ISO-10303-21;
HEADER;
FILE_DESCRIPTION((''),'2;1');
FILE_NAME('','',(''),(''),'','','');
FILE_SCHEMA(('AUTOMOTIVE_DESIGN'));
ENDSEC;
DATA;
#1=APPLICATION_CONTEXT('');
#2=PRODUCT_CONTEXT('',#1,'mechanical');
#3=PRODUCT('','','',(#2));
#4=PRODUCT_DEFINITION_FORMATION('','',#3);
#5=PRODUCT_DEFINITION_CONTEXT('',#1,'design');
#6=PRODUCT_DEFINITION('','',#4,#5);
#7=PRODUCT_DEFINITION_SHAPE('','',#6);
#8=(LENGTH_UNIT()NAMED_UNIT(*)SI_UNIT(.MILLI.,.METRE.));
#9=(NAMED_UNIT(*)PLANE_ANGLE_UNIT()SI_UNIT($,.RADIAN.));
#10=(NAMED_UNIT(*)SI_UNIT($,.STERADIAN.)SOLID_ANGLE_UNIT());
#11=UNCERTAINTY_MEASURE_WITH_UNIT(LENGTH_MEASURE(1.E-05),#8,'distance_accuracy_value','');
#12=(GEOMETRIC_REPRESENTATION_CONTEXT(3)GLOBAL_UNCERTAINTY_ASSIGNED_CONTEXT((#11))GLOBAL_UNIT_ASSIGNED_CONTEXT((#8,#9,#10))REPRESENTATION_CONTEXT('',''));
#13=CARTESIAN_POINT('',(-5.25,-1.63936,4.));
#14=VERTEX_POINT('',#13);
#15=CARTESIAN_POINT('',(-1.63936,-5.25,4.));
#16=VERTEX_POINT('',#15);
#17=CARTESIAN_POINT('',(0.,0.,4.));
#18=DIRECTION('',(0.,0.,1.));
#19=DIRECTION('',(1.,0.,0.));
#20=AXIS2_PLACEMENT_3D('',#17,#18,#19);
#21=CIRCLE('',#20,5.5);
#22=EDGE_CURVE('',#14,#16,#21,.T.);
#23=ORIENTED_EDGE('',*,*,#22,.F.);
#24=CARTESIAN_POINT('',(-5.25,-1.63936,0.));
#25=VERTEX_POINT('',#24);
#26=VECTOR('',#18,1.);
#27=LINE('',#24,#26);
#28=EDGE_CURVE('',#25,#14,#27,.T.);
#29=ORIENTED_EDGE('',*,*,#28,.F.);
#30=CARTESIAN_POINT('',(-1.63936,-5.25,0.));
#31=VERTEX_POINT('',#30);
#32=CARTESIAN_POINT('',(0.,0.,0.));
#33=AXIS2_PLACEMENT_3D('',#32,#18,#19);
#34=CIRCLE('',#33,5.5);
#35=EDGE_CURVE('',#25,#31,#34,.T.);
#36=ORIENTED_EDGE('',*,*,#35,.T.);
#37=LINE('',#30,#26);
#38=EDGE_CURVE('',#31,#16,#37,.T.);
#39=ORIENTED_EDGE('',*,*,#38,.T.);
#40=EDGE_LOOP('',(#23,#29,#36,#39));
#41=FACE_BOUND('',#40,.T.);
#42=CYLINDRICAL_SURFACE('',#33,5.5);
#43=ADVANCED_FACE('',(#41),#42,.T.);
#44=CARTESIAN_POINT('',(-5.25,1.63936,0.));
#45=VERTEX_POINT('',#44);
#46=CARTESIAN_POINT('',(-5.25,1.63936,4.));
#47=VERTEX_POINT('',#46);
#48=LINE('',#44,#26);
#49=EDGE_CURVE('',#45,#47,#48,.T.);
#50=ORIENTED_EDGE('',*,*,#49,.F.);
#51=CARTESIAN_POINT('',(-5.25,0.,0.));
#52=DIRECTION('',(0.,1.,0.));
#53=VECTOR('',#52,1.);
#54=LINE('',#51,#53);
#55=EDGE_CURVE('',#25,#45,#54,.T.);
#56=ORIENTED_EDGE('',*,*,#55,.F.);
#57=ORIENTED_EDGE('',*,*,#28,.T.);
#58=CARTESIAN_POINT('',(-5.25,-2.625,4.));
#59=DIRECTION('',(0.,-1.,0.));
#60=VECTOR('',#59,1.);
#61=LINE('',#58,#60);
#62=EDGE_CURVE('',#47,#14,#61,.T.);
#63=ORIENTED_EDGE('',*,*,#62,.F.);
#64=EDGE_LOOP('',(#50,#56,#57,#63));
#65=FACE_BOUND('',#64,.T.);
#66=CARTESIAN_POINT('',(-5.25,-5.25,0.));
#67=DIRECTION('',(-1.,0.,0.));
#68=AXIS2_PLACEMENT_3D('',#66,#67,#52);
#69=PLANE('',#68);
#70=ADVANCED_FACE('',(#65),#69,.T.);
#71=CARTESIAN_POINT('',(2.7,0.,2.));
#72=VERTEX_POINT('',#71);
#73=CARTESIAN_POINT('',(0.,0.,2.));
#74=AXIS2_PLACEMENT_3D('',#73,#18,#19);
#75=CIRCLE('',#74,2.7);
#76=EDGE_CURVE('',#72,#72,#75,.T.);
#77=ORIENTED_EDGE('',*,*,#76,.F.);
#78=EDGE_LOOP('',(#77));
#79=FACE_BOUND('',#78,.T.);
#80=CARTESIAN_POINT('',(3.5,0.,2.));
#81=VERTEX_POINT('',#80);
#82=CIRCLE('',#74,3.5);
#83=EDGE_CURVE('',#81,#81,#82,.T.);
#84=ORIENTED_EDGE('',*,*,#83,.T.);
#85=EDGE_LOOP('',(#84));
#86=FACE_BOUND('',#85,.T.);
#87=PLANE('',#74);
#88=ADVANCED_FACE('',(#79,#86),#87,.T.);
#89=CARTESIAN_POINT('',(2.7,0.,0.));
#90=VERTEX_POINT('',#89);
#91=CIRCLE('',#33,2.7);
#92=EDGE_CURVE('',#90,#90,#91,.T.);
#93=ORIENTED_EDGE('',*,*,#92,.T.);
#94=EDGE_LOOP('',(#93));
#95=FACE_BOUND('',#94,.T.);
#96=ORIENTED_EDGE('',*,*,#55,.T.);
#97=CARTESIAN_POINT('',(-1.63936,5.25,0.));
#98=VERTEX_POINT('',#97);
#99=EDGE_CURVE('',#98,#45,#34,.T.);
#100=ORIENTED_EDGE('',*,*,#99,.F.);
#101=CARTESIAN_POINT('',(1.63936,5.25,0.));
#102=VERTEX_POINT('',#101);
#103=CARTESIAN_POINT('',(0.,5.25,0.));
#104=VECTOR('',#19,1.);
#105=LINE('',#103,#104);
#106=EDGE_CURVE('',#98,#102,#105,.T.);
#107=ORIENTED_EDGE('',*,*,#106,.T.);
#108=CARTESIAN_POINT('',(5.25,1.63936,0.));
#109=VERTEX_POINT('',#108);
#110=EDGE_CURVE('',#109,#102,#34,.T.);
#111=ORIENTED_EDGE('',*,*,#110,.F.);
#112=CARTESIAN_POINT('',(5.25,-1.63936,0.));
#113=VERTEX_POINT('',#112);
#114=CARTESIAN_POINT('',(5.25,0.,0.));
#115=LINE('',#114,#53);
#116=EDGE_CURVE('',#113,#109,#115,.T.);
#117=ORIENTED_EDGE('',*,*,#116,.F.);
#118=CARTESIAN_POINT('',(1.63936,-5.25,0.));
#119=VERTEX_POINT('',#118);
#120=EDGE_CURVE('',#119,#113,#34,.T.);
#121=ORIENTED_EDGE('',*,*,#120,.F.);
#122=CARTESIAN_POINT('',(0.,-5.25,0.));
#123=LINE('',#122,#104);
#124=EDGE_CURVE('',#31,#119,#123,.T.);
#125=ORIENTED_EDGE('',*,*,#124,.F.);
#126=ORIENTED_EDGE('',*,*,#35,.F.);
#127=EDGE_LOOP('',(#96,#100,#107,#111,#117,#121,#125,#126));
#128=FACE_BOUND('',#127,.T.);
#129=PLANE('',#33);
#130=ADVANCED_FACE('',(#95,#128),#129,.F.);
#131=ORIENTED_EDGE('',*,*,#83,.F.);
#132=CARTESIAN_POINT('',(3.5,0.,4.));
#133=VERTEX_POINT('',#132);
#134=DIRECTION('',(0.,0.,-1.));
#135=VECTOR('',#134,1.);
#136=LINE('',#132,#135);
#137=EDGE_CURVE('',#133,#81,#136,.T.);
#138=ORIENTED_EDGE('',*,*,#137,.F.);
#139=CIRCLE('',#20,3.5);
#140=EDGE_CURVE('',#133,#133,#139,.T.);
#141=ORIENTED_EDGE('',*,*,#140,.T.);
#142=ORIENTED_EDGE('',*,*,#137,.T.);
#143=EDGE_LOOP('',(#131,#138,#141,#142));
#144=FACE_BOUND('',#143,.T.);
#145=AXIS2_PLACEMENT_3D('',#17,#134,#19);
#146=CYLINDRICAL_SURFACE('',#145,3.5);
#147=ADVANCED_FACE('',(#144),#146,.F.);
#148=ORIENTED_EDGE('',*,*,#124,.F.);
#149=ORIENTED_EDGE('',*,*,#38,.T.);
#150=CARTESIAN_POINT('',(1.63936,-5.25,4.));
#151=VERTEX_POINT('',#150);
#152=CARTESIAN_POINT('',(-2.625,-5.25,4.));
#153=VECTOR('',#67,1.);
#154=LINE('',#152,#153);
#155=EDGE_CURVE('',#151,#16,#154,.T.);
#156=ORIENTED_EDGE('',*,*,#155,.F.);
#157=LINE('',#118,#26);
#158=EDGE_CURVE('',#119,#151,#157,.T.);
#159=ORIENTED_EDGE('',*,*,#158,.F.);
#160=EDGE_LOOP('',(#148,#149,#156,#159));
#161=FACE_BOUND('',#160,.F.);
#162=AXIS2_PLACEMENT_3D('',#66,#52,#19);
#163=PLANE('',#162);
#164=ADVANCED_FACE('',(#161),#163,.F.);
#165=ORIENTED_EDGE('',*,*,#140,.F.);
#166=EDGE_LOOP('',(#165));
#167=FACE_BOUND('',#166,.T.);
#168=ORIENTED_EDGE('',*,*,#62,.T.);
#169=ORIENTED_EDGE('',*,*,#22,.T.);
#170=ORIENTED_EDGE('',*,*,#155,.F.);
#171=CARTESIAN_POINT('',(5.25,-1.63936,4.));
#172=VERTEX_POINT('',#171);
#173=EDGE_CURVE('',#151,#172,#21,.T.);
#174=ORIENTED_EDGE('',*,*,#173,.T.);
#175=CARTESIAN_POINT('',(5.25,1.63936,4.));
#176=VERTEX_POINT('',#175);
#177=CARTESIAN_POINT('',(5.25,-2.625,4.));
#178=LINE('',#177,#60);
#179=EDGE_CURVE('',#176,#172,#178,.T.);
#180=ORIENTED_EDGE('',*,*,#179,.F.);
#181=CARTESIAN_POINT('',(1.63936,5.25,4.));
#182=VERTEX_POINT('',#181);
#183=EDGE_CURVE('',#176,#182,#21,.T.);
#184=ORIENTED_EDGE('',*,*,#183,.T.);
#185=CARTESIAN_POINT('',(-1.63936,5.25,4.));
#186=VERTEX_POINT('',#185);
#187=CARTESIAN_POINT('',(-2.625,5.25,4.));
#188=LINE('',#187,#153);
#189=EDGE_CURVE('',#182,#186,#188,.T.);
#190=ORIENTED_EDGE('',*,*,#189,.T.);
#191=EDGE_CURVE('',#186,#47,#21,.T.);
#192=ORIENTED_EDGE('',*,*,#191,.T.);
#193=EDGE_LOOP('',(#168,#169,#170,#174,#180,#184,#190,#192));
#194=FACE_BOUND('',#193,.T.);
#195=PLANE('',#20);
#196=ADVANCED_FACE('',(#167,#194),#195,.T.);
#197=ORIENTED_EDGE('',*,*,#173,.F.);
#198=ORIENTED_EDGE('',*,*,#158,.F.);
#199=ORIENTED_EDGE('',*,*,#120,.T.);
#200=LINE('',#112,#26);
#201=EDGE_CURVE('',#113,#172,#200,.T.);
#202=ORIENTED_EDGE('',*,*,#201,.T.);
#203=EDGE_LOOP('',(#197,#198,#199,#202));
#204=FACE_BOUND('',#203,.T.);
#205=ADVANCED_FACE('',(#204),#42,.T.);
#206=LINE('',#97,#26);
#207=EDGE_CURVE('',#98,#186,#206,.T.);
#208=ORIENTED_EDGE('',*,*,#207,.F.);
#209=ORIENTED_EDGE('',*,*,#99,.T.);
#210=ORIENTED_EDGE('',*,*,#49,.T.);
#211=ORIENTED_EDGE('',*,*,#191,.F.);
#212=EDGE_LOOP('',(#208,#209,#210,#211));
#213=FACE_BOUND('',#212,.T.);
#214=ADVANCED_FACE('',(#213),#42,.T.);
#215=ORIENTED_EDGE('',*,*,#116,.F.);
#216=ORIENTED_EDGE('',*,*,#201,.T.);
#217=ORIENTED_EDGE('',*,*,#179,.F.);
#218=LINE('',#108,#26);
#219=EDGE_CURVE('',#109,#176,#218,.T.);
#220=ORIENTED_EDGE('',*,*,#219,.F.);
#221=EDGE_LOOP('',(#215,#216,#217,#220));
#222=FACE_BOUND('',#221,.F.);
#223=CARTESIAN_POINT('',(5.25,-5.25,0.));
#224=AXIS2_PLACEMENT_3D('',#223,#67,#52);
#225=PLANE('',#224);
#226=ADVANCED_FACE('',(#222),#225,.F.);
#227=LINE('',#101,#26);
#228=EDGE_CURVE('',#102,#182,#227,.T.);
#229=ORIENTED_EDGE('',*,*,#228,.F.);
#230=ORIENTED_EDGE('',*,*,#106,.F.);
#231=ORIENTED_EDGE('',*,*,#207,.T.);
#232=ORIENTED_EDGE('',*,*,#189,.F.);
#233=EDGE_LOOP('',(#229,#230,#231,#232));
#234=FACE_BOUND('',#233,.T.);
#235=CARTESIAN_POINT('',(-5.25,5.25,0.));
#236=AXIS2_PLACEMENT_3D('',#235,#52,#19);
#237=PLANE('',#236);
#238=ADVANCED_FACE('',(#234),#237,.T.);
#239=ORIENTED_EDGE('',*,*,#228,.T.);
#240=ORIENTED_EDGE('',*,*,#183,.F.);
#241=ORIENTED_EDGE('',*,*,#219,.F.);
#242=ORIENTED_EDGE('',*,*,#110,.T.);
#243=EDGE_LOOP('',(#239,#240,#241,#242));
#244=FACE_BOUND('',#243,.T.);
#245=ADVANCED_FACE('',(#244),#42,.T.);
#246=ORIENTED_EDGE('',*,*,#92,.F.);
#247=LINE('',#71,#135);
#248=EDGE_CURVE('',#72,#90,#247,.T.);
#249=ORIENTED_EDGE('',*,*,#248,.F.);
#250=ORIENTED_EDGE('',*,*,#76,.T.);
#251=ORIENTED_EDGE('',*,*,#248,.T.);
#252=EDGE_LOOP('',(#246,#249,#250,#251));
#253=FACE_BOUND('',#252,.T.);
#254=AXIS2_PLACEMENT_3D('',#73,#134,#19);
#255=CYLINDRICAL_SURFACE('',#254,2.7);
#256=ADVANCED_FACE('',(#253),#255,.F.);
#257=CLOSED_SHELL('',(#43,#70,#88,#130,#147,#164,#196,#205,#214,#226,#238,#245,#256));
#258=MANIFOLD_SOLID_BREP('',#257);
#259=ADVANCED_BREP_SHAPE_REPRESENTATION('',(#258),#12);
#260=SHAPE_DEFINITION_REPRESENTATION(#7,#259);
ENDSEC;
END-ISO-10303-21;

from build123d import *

# Parameters (mm, degrees)
F2_W     = 11.5
F2_H     = 11.5
F2_W_2   = 10.5
F2_H_2   = 10.5
F3_DEPTH = 25


with BuildPart() as f1:
    # F0 (on Front) → F1 (revolve)
    with BuildSketch(Plane.XZ):
        Polygon((5.5, 4), (3.5, 4), (3.5, 2), (2.7, 2), (2.7, 0), (5.5, 0), align=None)
    revolve(axis=Axis((0, 0, 5.877999), (0, 0, 1)))

    # F2 (on Top) → F3 (cut)
    with BuildSketch(Plane.XY):
        Rectangle(F2_W, F2_H)
        Rectangle(F2_W_2, F2_H_2, mode=Mode.SUBTRACT)
    extrude(amount=F3_DEPTH, mode=Mode.SUBTRACT)


solid = f1.part
